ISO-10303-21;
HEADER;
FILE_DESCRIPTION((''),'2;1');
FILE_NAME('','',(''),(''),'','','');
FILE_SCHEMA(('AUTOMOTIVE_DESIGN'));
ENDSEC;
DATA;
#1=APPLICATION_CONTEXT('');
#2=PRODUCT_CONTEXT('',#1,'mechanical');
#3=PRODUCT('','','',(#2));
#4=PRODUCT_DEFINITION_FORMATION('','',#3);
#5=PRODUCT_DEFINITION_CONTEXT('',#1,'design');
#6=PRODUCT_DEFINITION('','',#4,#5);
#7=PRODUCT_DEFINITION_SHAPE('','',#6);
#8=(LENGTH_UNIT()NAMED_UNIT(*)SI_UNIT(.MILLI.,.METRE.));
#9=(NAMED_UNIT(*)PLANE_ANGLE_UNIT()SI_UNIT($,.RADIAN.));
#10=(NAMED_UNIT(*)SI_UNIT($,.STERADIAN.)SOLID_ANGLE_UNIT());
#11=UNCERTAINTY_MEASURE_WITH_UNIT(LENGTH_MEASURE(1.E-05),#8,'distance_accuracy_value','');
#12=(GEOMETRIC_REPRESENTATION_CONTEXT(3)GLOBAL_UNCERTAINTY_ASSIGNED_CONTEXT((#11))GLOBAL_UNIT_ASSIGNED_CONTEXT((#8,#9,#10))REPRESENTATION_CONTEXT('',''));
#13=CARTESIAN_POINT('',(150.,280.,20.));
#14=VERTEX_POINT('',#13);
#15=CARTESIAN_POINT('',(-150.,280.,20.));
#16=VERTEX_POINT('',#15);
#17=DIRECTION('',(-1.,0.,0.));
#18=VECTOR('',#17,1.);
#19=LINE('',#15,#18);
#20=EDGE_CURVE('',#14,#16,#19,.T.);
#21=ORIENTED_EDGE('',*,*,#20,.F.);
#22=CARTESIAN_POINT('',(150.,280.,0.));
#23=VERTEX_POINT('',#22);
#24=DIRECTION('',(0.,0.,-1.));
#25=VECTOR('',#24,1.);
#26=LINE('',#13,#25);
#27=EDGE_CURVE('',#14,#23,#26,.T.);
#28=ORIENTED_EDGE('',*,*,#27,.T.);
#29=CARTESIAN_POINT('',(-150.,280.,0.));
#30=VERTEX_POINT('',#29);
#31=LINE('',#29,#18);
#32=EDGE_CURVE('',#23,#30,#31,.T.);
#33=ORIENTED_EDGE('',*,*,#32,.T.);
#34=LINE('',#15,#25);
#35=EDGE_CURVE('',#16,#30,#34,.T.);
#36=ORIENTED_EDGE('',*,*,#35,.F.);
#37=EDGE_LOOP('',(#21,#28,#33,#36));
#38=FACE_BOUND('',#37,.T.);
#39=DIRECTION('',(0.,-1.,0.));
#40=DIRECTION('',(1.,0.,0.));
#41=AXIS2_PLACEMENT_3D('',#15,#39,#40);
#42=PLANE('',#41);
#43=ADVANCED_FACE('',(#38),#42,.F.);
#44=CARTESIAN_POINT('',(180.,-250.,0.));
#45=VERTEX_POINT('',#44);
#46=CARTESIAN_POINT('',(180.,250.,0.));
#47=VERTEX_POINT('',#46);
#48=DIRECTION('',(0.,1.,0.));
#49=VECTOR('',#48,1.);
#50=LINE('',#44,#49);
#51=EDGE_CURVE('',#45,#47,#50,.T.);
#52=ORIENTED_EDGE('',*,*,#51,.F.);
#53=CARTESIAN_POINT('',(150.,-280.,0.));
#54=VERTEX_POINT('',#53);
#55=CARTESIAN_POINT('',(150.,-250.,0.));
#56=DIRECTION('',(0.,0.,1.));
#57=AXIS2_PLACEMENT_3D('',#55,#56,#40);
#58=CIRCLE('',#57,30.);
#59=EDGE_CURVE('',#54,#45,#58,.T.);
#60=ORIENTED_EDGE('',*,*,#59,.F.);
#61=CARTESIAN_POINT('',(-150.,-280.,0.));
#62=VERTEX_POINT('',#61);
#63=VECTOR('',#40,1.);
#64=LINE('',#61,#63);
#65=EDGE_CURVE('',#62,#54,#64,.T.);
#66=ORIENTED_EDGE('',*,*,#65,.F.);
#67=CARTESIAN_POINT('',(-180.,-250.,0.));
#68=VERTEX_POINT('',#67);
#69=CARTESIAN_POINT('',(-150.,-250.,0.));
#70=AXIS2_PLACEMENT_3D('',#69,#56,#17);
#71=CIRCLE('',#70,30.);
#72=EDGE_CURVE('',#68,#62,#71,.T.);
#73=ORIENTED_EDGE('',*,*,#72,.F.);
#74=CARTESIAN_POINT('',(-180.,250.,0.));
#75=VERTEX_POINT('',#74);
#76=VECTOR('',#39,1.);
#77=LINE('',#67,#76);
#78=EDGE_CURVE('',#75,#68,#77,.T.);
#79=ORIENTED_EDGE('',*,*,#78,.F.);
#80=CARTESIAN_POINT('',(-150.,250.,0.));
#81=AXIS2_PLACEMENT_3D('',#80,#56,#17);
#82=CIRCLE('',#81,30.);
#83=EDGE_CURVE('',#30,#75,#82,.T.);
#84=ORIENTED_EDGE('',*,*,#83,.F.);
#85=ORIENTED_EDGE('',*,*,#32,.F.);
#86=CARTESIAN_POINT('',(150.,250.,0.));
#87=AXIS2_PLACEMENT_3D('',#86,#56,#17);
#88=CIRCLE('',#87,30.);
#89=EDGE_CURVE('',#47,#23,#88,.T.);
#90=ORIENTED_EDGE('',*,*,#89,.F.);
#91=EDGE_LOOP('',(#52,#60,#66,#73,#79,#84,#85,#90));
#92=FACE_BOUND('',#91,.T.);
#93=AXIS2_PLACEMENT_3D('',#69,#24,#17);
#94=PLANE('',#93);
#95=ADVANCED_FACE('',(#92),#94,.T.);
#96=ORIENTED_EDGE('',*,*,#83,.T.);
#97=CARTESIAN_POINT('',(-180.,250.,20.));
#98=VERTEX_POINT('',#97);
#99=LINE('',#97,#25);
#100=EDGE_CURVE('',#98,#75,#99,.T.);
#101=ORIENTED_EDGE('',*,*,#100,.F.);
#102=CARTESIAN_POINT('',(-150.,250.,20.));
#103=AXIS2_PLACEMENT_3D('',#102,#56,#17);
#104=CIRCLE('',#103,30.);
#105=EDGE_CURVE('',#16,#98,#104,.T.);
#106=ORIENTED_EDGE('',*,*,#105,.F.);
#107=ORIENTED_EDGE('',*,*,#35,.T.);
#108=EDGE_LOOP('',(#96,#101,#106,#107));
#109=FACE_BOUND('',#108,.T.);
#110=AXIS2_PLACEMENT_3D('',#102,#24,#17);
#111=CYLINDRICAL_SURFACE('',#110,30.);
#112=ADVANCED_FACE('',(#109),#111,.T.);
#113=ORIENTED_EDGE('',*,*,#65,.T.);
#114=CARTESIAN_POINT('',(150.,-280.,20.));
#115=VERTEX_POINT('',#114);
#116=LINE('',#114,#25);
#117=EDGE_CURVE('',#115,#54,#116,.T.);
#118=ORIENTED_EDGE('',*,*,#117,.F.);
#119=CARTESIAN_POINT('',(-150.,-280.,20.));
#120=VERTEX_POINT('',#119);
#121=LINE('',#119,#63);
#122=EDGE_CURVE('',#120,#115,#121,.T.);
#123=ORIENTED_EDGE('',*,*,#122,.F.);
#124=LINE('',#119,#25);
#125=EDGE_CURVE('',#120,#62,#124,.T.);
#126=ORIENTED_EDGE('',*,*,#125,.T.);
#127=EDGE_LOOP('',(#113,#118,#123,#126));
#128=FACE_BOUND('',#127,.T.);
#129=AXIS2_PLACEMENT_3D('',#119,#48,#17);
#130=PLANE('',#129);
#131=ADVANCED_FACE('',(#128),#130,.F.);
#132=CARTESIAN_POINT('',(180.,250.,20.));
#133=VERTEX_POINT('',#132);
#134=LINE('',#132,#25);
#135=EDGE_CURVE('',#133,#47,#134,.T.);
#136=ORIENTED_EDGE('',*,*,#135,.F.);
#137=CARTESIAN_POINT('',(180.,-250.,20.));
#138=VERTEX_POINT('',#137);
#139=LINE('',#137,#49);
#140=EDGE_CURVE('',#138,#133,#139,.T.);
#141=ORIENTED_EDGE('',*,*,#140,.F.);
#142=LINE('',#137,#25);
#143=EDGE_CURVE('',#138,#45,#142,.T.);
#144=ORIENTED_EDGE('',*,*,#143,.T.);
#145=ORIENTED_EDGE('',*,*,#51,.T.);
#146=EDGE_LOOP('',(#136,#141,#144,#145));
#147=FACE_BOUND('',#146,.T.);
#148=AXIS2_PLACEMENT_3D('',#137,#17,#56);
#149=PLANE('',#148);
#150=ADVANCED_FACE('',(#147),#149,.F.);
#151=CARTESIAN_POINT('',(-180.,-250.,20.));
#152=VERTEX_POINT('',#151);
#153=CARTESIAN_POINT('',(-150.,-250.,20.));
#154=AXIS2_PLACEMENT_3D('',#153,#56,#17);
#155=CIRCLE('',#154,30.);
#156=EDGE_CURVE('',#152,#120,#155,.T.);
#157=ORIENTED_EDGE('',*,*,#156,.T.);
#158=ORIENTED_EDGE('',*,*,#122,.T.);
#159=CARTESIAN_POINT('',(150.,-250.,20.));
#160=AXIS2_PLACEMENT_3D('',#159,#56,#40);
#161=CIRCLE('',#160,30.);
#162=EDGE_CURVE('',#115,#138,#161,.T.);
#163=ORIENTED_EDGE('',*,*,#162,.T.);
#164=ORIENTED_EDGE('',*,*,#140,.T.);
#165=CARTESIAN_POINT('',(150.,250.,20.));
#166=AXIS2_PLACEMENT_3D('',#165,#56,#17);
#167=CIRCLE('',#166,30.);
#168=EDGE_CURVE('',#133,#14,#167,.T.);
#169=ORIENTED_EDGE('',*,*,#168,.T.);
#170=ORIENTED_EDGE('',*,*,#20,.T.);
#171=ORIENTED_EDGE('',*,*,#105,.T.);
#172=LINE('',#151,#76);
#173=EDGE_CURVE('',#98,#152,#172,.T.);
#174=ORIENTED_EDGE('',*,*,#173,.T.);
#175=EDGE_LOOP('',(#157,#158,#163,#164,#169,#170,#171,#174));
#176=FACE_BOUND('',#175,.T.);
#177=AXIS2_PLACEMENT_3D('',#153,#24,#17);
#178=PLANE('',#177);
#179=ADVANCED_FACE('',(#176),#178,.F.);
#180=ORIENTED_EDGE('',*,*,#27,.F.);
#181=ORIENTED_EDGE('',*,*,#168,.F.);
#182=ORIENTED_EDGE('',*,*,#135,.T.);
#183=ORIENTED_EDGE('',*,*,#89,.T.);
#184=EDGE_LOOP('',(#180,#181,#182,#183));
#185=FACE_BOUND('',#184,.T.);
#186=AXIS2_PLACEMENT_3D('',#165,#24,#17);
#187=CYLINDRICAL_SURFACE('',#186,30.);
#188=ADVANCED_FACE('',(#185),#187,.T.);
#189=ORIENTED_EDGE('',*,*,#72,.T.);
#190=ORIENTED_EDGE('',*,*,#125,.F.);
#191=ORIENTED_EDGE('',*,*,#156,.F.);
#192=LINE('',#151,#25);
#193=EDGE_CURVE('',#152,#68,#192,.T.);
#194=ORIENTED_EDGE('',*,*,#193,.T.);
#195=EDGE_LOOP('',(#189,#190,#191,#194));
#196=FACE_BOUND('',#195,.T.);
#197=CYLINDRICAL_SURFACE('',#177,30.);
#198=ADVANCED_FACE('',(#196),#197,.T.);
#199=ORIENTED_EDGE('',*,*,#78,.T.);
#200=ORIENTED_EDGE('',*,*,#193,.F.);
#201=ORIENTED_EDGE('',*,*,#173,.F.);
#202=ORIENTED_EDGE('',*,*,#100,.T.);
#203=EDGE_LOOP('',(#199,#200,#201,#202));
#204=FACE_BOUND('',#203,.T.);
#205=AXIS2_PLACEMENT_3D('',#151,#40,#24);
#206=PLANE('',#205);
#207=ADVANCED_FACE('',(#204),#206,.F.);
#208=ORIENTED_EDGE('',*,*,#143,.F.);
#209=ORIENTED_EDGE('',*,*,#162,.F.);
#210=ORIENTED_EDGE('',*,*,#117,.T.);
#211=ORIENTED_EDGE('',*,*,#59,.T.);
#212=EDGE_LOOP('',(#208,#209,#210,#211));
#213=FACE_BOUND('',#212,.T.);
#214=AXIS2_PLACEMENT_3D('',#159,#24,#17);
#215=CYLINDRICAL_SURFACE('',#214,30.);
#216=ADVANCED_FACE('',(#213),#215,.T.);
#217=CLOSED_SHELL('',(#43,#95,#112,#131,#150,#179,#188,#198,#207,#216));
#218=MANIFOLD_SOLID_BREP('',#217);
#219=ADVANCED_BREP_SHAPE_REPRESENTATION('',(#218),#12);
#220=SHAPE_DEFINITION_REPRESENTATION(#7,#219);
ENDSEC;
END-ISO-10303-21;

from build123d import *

# Parameters (mm, degrees)
BOSS_EXTRUDE1_DEPTH = 20


with BuildPart() as part:
    # Sketch1 → Boss-Extrude1 (new body)
    with BuildSketch(Plane.XY):
        with BuildLine():
            Line((-150, -280), (150, -280))
            ThreePointArc((150, -280), (171.213203436, -271.213203436), (180, -250))
            Line((180, -250), (180, 250))
            ThreePointArc((180, 250), (171.213203436, 271.213203436), (150, 280))
            Line((150, 280), (-150, 280))
            ThreePointArc((-150, 280), (-171.213203436, 271.213203436), (-180, 250))
            Line((-180, 250), (-180, -250))
            ThreePointArc((-180, -250), (-171.213203436, -271.213203436), (-150, -280))
        make_face()
    extrude(amount=BOSS_EXTRUDE1_DEPTH)


solid = part.part
